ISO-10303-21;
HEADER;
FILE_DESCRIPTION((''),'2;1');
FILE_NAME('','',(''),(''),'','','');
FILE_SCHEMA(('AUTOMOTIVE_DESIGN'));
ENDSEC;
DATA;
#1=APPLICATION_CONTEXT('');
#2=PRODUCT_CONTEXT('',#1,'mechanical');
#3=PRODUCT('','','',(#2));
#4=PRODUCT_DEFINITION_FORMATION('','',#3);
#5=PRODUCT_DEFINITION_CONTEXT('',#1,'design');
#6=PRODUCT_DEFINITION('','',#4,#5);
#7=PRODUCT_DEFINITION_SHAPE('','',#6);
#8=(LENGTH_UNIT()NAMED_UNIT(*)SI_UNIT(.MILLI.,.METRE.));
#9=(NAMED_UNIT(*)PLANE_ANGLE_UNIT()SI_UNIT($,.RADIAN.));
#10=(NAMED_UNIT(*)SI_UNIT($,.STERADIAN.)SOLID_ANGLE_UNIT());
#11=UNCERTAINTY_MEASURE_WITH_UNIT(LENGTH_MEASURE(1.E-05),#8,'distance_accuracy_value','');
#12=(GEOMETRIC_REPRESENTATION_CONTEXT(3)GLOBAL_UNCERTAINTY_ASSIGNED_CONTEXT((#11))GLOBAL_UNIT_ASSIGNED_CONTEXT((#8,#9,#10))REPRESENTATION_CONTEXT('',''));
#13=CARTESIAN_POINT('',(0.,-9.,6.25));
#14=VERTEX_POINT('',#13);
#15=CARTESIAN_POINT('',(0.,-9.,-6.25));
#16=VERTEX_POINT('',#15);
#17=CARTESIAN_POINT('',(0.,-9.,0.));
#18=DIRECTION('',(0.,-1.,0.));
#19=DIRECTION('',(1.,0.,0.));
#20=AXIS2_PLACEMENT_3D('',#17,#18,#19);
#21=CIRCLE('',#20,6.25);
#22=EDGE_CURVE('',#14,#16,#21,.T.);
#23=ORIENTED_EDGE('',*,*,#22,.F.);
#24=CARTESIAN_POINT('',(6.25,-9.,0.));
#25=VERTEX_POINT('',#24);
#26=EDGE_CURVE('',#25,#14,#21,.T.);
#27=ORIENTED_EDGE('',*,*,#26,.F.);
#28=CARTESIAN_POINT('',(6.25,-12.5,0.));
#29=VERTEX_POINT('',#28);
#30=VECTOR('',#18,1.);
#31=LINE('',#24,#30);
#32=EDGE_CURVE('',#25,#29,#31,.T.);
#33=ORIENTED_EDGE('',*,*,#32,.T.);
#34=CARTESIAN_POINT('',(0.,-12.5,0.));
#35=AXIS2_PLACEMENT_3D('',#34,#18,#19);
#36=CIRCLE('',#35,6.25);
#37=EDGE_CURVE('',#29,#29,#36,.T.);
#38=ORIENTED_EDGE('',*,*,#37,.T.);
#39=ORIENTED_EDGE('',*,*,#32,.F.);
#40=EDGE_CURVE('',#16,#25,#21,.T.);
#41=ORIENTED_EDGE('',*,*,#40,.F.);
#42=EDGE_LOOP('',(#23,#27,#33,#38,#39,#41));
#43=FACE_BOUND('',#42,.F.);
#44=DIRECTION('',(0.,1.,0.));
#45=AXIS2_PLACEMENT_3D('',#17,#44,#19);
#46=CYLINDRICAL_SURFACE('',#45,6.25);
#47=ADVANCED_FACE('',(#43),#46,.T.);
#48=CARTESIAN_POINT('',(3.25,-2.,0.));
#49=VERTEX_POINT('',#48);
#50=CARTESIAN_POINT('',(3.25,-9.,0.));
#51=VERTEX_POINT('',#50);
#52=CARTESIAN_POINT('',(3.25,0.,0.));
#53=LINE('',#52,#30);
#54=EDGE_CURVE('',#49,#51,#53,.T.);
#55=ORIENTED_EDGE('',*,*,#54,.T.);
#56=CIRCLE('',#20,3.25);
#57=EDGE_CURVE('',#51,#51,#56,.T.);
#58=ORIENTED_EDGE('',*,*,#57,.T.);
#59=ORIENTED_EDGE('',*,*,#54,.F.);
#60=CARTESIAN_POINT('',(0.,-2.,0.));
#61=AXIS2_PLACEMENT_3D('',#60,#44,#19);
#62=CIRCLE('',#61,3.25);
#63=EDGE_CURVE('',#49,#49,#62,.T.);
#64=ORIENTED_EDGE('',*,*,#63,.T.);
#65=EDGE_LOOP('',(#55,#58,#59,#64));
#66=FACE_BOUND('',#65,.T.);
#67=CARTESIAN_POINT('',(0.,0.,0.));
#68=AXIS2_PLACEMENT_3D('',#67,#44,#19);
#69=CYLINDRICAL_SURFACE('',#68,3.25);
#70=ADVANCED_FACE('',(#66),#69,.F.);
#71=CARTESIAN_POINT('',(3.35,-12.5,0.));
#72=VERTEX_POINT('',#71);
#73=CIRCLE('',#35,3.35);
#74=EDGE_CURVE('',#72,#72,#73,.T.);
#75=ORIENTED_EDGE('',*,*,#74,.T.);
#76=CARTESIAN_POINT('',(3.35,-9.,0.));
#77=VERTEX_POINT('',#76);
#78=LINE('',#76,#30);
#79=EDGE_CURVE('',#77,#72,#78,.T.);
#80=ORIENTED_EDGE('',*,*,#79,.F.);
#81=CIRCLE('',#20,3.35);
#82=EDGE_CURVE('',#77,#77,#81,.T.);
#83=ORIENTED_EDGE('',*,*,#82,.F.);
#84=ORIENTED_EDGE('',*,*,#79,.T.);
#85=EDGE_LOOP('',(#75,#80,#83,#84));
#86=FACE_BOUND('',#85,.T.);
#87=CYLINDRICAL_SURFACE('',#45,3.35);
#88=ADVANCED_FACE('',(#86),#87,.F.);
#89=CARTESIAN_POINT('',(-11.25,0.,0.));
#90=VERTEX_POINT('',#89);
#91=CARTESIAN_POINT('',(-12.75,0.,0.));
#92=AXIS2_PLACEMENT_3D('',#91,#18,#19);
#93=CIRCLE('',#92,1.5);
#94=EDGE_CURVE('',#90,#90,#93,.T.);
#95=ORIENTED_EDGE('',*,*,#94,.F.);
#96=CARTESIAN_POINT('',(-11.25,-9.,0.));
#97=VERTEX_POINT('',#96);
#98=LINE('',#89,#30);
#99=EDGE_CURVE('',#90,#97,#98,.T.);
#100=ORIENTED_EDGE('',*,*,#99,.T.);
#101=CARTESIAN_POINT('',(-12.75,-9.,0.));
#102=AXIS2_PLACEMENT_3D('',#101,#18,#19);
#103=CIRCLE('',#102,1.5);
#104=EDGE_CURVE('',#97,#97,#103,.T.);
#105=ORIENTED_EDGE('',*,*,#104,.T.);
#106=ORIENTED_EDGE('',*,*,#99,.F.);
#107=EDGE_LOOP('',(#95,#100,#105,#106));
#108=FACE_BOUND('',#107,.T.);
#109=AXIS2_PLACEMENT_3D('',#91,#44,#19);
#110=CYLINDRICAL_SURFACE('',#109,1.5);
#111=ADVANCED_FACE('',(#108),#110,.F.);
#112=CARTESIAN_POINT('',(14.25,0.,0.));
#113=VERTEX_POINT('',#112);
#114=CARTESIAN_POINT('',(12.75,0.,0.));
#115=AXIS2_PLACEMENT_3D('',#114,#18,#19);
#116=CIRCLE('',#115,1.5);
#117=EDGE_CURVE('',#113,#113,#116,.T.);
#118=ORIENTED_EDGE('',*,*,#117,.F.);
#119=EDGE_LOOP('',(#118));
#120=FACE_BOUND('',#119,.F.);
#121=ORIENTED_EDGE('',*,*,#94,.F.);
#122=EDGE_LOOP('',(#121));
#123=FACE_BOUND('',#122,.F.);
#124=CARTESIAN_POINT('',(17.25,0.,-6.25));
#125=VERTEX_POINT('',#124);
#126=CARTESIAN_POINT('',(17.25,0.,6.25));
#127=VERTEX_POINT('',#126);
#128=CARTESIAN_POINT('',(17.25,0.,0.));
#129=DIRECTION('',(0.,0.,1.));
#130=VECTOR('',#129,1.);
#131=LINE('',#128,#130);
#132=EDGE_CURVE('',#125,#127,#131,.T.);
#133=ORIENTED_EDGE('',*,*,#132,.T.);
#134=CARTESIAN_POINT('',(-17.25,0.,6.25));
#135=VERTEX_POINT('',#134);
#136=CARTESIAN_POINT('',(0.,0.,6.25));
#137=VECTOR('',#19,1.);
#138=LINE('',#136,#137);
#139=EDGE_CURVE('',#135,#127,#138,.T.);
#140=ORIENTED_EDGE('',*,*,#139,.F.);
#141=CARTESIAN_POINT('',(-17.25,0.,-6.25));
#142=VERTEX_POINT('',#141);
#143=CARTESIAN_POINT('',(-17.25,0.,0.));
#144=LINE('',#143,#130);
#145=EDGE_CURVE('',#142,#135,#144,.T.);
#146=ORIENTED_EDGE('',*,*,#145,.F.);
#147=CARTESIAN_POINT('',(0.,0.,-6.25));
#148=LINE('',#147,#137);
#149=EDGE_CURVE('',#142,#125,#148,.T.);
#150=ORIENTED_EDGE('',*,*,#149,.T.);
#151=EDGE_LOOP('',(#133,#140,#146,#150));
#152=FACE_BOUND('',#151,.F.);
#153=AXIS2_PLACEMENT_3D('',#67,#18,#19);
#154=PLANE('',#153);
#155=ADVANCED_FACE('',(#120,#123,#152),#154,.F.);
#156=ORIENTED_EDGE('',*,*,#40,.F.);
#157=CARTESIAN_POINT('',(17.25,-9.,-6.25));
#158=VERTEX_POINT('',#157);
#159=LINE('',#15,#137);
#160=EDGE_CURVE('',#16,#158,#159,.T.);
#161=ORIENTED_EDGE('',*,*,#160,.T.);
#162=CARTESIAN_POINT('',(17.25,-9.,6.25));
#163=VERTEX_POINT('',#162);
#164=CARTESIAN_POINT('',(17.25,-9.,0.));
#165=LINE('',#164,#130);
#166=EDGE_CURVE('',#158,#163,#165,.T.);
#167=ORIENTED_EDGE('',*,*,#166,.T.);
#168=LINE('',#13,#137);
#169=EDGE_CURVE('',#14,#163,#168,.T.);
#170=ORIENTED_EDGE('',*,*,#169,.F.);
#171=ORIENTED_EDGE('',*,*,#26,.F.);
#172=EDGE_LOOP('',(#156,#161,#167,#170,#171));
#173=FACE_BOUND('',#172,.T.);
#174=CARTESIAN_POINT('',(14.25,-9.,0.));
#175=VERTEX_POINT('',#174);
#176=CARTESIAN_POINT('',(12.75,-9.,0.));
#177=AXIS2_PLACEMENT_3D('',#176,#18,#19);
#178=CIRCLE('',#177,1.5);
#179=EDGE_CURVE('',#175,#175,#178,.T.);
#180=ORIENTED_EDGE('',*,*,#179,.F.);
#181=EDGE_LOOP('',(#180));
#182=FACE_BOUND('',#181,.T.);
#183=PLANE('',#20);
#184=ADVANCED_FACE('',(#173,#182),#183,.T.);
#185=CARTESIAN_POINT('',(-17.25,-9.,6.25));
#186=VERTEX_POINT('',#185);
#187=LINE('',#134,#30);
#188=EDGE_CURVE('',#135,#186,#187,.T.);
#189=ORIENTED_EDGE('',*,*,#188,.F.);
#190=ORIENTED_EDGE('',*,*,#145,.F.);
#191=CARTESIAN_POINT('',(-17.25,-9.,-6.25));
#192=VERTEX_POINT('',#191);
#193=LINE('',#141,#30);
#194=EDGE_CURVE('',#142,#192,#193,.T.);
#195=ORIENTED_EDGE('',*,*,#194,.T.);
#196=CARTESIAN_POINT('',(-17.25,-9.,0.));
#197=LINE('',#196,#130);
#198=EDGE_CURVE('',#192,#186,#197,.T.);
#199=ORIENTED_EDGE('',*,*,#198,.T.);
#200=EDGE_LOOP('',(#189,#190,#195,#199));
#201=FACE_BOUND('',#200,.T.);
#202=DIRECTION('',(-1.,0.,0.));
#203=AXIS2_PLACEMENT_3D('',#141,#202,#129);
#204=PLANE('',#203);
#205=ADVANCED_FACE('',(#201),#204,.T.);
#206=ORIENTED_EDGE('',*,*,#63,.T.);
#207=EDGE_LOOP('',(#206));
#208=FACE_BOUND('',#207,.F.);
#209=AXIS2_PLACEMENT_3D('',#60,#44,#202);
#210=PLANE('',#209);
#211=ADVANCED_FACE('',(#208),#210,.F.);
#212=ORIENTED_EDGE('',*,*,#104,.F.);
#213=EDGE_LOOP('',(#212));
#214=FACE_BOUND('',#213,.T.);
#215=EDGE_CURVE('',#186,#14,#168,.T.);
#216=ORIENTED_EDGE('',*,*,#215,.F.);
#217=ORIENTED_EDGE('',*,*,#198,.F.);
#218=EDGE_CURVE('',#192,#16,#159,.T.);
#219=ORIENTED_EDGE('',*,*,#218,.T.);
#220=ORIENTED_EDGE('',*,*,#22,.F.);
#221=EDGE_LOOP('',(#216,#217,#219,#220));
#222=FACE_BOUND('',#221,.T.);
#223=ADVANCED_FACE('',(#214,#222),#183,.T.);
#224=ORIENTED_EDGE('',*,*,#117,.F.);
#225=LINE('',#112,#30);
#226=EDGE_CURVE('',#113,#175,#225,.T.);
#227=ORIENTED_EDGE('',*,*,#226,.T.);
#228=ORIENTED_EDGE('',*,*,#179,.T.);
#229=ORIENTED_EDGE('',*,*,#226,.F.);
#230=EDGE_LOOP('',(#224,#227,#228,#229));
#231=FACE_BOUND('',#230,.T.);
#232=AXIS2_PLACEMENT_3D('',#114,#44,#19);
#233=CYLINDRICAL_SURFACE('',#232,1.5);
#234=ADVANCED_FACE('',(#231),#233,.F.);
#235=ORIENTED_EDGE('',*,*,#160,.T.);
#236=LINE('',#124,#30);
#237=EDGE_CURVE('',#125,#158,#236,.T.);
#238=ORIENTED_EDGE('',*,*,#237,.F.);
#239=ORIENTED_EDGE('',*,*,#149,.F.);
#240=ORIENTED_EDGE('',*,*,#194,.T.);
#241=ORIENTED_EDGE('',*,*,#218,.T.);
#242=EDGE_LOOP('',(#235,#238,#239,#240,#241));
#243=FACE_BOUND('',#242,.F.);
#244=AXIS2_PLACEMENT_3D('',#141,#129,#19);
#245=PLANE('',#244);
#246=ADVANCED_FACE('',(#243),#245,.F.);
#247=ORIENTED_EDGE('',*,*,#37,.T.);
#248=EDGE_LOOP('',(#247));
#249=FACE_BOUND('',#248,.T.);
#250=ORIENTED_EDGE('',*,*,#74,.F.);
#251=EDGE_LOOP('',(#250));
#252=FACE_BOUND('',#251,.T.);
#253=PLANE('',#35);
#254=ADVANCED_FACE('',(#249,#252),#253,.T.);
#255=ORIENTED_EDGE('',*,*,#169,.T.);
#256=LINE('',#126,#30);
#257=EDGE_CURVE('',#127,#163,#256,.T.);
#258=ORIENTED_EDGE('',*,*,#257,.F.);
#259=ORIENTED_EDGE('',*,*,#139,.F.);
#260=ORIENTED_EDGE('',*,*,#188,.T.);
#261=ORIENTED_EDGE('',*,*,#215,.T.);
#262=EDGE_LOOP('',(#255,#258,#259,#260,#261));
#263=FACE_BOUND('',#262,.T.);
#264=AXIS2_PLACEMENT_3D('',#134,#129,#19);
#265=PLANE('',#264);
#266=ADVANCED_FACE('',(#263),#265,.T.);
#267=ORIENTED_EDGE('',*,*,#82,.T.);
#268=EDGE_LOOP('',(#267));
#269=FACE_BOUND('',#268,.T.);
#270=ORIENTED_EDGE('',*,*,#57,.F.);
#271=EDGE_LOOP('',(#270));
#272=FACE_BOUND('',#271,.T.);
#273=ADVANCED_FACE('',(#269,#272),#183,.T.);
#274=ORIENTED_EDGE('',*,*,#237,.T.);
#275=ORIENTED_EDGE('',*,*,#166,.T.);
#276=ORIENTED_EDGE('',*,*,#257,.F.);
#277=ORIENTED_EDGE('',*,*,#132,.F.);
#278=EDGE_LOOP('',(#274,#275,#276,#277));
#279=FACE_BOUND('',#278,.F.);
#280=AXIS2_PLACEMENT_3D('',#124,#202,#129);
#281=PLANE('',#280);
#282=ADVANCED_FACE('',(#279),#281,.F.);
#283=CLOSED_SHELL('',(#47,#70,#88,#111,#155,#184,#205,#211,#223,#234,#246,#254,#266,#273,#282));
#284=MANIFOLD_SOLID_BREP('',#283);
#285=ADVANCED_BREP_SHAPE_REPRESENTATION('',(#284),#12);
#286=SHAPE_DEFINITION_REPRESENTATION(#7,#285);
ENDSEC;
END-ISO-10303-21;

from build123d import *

# Parameters (mm, degrees)
F0_W     = 34.5
F0_H     = 12.5
F0_R     = 1.5
F0_R_2   = 3.25
F1_DEPTH = 9
F2_R     = 6.25
F2_R_2   = 3.35
F3_DEPTH = 3.5
F4_W     = 10.950644
F4_H     = 8.111588
F5_DEPTH = 2


with BuildPart() as f1:
    # F0 (on Front) → F1 (new body)
    with BuildSketch(Plane.XZ):
        Rectangle(F0_W, F0_H)
        with Locations((-12.75, 0)):
            Circle(F0_R, mode=Mode.SUBTRACT)
        Circle(F0_R_2, mode=Mode.SUBTRACT)
        with Locations((12.75, 0)):
            Circle(F0_R, mode=Mode.SUBTRACT)
    extrude(amount=F1_DEPTH)

    # F2 (on face) → F3 (join)
    with BuildSketch(Plane.XZ.offset(9)):
        Circle(F2_R)
        Circle(F2_R_2, mode=Mode.SUBTRACT)
    extrude(amount=F3_DEPTH)

    # F4 (on face) → F5 (join)
    with BuildSketch(Plane(origin=(0, 0, 0), x_dir=(-1, 0, 0), z_dir=(0, 1, 0))):
        Rectangle(F4_W, F4_H)
    extrude(amount=-F5_DEPTH)


solid = f1.part
